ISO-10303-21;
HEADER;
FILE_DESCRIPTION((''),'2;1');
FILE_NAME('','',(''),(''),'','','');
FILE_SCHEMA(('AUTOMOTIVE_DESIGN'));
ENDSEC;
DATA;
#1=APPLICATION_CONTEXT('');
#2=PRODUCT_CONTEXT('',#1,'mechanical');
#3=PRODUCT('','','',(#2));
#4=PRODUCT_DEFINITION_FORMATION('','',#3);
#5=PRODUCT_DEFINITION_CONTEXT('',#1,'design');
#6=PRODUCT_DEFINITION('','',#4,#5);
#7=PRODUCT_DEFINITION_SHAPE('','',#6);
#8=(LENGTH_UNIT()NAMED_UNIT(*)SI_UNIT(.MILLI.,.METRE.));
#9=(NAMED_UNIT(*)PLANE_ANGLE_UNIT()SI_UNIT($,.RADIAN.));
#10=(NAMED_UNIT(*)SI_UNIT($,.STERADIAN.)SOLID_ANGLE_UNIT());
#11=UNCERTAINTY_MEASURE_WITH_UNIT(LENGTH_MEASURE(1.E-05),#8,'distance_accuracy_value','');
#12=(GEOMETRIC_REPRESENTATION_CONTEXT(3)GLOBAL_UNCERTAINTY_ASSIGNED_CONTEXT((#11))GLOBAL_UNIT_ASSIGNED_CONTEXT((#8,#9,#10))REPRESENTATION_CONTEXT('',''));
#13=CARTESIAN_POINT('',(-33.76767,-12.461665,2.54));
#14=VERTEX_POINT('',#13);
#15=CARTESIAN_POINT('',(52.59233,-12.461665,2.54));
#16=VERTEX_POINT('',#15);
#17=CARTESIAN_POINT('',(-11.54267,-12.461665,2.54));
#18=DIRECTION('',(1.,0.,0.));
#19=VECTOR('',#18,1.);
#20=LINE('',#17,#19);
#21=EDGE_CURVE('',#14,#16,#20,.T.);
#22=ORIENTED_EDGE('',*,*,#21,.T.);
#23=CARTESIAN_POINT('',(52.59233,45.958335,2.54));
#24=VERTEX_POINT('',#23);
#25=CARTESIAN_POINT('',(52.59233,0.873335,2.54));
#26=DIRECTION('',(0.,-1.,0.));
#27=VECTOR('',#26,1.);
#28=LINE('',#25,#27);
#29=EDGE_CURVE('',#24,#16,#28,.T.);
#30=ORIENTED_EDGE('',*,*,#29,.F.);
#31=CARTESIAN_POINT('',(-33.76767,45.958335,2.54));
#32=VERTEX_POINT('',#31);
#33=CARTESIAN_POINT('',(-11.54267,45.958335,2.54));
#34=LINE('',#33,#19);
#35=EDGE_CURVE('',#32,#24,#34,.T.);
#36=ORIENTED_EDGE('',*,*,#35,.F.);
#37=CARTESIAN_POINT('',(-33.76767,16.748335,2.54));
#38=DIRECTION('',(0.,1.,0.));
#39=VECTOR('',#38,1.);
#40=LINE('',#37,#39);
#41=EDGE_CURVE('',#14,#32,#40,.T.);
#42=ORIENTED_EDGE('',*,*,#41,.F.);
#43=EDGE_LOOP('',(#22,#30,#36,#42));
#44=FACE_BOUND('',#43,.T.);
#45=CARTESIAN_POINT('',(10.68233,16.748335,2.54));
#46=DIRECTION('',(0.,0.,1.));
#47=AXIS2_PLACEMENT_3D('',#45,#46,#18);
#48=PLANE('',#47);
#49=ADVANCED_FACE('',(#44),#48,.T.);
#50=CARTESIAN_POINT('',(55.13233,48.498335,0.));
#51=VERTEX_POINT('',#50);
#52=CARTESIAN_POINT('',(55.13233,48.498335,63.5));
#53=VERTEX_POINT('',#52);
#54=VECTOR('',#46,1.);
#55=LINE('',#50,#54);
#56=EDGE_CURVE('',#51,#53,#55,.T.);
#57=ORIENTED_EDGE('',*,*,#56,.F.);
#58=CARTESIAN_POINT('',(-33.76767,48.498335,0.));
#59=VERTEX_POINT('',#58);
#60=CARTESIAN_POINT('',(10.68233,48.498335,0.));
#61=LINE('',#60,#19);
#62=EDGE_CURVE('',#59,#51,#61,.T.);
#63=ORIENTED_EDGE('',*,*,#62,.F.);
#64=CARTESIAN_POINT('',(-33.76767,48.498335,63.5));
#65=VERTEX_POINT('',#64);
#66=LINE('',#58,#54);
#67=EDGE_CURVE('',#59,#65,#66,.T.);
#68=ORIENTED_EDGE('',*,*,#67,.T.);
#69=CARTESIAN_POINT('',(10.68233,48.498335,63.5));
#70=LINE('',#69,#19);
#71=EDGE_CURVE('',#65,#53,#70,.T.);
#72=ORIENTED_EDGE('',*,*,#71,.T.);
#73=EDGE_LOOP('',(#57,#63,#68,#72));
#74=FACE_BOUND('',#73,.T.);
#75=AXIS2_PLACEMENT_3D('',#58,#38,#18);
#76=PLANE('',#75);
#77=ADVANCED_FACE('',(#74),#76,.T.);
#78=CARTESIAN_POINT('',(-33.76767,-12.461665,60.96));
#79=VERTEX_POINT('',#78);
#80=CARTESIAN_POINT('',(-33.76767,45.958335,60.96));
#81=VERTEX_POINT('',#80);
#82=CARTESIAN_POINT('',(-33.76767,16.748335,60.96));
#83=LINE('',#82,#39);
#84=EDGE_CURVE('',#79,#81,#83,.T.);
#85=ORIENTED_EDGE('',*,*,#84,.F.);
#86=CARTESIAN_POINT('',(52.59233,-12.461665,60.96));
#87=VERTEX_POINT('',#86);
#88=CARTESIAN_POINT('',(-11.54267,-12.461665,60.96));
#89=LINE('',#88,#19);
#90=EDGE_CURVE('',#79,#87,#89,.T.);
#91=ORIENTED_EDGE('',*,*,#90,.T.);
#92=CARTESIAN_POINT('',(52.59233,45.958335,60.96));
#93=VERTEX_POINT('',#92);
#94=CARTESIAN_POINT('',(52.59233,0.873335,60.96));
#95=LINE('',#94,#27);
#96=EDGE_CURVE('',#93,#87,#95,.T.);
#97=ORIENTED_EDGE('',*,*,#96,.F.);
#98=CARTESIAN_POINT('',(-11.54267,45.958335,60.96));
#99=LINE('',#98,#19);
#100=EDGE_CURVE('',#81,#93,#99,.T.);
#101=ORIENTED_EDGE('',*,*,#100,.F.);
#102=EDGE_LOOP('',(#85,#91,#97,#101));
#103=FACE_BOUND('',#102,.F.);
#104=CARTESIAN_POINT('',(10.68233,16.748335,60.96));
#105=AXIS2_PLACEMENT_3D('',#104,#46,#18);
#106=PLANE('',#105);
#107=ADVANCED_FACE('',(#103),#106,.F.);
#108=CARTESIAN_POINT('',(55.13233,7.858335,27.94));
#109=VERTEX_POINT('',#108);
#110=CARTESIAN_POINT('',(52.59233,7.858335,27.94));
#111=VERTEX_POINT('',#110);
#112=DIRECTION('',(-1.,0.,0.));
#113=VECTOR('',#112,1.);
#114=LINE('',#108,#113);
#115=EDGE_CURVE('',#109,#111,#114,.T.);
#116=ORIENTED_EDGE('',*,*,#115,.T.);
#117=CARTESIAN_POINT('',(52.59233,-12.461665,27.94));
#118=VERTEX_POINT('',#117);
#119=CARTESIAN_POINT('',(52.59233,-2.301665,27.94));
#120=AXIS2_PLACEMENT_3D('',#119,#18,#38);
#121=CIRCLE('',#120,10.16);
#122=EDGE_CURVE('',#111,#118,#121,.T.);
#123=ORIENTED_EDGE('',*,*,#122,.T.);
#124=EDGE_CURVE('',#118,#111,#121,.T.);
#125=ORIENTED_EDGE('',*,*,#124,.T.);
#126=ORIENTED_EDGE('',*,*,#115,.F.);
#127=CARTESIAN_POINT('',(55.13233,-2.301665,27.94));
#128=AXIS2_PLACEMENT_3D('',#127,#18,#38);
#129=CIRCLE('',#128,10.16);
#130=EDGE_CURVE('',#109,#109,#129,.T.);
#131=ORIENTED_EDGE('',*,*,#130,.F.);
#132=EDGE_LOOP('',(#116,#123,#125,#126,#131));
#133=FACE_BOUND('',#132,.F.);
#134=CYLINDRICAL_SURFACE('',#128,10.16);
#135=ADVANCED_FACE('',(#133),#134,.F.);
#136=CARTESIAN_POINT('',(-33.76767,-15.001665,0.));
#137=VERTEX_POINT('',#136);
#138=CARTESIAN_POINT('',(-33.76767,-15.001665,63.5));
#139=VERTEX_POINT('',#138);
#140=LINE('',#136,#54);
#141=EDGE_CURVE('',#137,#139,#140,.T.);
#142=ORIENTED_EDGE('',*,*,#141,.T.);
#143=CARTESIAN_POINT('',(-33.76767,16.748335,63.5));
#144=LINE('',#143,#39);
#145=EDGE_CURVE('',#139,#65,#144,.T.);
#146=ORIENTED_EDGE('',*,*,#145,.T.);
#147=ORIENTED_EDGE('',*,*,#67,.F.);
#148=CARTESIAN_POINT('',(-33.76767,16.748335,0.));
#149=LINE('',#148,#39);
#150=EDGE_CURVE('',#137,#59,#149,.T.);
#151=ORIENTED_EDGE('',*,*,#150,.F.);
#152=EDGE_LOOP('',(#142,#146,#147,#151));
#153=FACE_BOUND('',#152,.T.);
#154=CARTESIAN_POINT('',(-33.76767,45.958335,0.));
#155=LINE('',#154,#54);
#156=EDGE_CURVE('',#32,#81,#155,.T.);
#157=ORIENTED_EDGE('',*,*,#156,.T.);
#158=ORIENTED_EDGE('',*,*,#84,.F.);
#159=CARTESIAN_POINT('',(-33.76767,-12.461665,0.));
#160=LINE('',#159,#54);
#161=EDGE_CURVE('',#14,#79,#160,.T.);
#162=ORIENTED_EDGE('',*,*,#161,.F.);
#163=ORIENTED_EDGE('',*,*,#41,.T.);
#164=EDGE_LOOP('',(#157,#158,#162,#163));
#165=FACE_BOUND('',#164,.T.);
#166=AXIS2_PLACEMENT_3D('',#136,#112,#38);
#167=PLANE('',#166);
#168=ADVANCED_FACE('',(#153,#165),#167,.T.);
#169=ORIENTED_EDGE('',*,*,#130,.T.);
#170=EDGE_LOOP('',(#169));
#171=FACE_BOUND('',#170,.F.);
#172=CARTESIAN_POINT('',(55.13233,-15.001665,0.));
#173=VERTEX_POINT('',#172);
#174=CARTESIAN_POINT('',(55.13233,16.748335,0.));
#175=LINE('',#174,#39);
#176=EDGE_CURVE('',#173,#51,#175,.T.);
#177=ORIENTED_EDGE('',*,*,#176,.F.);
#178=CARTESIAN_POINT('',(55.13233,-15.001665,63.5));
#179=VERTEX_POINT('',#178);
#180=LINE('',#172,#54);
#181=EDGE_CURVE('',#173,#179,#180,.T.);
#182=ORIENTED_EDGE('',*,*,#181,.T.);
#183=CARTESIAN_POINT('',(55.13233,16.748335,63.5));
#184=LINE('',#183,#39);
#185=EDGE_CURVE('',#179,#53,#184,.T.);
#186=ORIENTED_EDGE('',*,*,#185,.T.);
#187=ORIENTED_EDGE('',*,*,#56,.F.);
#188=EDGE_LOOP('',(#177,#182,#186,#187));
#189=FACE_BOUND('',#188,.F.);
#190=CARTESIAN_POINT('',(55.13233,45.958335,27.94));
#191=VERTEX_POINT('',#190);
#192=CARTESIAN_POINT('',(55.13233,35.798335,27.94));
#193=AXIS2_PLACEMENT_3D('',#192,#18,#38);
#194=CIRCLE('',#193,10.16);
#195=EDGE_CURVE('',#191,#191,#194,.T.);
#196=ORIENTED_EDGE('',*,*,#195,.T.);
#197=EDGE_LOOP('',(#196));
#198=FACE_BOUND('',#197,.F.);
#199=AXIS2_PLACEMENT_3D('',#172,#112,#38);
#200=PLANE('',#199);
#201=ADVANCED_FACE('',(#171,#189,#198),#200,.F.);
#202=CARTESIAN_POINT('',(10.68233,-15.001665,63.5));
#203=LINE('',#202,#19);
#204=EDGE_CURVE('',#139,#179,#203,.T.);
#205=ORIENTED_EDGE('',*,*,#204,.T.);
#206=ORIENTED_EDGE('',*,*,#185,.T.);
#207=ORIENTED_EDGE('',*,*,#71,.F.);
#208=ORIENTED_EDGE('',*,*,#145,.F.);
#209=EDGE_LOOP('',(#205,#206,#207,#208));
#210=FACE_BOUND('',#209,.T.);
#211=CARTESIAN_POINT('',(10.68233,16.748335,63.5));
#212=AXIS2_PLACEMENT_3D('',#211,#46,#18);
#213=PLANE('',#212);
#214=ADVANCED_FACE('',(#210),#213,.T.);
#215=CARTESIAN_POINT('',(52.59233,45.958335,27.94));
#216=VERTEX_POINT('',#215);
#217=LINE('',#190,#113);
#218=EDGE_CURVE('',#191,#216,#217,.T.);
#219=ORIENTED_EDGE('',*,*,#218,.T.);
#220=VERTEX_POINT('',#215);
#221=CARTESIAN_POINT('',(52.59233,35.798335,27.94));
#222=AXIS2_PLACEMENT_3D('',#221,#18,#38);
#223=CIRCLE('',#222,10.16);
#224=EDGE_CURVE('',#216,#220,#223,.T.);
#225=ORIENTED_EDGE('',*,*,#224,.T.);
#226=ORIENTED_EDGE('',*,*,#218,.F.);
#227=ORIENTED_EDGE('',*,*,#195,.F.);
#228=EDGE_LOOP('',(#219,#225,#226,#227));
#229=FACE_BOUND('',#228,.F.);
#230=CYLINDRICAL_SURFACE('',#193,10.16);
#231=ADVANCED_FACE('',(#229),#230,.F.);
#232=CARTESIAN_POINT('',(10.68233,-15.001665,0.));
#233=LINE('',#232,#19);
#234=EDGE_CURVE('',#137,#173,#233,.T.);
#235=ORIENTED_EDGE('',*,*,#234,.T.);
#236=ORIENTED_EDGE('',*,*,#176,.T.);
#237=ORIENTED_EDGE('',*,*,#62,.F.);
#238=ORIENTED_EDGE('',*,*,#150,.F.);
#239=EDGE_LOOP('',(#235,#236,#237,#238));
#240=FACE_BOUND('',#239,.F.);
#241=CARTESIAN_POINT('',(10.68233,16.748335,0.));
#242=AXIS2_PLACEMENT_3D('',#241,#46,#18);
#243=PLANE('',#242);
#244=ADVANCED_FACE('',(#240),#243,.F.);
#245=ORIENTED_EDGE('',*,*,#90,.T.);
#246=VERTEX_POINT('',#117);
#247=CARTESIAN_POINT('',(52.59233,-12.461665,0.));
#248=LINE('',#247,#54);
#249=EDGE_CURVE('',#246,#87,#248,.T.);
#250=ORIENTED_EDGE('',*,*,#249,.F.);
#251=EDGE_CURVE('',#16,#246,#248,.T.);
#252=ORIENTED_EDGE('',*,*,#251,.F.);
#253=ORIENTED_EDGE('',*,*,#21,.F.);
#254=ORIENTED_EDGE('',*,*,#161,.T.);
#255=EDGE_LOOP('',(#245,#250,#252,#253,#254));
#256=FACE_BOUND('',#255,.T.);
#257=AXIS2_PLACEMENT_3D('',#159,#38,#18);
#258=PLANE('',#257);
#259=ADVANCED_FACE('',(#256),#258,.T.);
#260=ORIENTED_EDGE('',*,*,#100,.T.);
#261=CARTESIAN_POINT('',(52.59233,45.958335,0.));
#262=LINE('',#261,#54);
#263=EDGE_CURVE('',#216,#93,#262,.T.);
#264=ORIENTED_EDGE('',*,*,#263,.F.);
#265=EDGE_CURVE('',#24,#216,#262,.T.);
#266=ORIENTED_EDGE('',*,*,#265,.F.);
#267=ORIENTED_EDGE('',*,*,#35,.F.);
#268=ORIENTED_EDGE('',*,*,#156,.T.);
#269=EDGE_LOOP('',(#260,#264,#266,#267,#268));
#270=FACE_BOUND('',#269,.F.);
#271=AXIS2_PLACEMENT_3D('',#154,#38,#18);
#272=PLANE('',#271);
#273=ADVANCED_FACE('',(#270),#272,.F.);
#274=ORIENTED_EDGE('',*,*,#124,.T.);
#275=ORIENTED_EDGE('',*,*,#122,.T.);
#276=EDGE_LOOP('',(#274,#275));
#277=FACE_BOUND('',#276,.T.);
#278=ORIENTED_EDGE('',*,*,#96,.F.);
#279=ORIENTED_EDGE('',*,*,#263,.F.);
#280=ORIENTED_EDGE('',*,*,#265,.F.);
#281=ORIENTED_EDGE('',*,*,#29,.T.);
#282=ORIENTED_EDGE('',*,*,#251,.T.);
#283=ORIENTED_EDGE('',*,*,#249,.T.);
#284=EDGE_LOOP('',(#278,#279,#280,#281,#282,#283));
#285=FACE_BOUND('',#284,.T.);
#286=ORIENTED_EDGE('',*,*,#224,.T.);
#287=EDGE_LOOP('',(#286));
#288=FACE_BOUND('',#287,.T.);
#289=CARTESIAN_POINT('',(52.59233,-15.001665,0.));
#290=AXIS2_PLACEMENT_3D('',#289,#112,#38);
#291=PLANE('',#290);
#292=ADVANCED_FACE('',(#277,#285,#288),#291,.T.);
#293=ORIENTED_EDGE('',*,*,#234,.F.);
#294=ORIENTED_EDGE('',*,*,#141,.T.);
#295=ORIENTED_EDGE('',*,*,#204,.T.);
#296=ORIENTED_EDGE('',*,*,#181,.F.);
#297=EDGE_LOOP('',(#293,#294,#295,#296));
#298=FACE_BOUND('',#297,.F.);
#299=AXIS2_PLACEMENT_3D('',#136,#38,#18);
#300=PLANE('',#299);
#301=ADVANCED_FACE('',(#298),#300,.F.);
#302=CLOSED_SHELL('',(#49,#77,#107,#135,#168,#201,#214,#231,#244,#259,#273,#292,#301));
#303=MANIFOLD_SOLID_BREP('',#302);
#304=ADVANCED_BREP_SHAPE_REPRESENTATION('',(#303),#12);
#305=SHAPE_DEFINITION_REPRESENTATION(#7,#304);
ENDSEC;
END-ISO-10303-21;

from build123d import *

# Parameters (mm, degrees)
F0_W     = 88.9
F0_H     = 63.5
F1_DEPTH = 63.5
F3_T     = -2.54
F2_R     = 10.16
F4_DEPTH = 25.4


with BuildPart() as f1:
    # F0 (on Top) → F1 (new body)
    with BuildSketch(Plane.XY):
        with Locations((10.68233, 16.748335)):
            Rectangle(F0_W, F0_H)
    extrude(amount=F1_DEPTH)

    # F3
    f3_openings = [f1.faces().sort_by_distance(p)[0] for p in [
        (-33.76767, 16.748335, 31.75),
    ]]
    offset(amount=F3_T, openings=f3_openings)

    # F2 (on face) → F4 (cut)
    with BuildSketch(Plane.YZ.offset(55.13233)):
        with Locations((-2.301665, 27.94)):
            Circle(F2_R)
        with Locations((35.798335, 27.94)):
            Circle(F2_R)
    extrude(amount=-F4_DEPTH, mode=Mode.SUBTRACT)


solid = f1.part
